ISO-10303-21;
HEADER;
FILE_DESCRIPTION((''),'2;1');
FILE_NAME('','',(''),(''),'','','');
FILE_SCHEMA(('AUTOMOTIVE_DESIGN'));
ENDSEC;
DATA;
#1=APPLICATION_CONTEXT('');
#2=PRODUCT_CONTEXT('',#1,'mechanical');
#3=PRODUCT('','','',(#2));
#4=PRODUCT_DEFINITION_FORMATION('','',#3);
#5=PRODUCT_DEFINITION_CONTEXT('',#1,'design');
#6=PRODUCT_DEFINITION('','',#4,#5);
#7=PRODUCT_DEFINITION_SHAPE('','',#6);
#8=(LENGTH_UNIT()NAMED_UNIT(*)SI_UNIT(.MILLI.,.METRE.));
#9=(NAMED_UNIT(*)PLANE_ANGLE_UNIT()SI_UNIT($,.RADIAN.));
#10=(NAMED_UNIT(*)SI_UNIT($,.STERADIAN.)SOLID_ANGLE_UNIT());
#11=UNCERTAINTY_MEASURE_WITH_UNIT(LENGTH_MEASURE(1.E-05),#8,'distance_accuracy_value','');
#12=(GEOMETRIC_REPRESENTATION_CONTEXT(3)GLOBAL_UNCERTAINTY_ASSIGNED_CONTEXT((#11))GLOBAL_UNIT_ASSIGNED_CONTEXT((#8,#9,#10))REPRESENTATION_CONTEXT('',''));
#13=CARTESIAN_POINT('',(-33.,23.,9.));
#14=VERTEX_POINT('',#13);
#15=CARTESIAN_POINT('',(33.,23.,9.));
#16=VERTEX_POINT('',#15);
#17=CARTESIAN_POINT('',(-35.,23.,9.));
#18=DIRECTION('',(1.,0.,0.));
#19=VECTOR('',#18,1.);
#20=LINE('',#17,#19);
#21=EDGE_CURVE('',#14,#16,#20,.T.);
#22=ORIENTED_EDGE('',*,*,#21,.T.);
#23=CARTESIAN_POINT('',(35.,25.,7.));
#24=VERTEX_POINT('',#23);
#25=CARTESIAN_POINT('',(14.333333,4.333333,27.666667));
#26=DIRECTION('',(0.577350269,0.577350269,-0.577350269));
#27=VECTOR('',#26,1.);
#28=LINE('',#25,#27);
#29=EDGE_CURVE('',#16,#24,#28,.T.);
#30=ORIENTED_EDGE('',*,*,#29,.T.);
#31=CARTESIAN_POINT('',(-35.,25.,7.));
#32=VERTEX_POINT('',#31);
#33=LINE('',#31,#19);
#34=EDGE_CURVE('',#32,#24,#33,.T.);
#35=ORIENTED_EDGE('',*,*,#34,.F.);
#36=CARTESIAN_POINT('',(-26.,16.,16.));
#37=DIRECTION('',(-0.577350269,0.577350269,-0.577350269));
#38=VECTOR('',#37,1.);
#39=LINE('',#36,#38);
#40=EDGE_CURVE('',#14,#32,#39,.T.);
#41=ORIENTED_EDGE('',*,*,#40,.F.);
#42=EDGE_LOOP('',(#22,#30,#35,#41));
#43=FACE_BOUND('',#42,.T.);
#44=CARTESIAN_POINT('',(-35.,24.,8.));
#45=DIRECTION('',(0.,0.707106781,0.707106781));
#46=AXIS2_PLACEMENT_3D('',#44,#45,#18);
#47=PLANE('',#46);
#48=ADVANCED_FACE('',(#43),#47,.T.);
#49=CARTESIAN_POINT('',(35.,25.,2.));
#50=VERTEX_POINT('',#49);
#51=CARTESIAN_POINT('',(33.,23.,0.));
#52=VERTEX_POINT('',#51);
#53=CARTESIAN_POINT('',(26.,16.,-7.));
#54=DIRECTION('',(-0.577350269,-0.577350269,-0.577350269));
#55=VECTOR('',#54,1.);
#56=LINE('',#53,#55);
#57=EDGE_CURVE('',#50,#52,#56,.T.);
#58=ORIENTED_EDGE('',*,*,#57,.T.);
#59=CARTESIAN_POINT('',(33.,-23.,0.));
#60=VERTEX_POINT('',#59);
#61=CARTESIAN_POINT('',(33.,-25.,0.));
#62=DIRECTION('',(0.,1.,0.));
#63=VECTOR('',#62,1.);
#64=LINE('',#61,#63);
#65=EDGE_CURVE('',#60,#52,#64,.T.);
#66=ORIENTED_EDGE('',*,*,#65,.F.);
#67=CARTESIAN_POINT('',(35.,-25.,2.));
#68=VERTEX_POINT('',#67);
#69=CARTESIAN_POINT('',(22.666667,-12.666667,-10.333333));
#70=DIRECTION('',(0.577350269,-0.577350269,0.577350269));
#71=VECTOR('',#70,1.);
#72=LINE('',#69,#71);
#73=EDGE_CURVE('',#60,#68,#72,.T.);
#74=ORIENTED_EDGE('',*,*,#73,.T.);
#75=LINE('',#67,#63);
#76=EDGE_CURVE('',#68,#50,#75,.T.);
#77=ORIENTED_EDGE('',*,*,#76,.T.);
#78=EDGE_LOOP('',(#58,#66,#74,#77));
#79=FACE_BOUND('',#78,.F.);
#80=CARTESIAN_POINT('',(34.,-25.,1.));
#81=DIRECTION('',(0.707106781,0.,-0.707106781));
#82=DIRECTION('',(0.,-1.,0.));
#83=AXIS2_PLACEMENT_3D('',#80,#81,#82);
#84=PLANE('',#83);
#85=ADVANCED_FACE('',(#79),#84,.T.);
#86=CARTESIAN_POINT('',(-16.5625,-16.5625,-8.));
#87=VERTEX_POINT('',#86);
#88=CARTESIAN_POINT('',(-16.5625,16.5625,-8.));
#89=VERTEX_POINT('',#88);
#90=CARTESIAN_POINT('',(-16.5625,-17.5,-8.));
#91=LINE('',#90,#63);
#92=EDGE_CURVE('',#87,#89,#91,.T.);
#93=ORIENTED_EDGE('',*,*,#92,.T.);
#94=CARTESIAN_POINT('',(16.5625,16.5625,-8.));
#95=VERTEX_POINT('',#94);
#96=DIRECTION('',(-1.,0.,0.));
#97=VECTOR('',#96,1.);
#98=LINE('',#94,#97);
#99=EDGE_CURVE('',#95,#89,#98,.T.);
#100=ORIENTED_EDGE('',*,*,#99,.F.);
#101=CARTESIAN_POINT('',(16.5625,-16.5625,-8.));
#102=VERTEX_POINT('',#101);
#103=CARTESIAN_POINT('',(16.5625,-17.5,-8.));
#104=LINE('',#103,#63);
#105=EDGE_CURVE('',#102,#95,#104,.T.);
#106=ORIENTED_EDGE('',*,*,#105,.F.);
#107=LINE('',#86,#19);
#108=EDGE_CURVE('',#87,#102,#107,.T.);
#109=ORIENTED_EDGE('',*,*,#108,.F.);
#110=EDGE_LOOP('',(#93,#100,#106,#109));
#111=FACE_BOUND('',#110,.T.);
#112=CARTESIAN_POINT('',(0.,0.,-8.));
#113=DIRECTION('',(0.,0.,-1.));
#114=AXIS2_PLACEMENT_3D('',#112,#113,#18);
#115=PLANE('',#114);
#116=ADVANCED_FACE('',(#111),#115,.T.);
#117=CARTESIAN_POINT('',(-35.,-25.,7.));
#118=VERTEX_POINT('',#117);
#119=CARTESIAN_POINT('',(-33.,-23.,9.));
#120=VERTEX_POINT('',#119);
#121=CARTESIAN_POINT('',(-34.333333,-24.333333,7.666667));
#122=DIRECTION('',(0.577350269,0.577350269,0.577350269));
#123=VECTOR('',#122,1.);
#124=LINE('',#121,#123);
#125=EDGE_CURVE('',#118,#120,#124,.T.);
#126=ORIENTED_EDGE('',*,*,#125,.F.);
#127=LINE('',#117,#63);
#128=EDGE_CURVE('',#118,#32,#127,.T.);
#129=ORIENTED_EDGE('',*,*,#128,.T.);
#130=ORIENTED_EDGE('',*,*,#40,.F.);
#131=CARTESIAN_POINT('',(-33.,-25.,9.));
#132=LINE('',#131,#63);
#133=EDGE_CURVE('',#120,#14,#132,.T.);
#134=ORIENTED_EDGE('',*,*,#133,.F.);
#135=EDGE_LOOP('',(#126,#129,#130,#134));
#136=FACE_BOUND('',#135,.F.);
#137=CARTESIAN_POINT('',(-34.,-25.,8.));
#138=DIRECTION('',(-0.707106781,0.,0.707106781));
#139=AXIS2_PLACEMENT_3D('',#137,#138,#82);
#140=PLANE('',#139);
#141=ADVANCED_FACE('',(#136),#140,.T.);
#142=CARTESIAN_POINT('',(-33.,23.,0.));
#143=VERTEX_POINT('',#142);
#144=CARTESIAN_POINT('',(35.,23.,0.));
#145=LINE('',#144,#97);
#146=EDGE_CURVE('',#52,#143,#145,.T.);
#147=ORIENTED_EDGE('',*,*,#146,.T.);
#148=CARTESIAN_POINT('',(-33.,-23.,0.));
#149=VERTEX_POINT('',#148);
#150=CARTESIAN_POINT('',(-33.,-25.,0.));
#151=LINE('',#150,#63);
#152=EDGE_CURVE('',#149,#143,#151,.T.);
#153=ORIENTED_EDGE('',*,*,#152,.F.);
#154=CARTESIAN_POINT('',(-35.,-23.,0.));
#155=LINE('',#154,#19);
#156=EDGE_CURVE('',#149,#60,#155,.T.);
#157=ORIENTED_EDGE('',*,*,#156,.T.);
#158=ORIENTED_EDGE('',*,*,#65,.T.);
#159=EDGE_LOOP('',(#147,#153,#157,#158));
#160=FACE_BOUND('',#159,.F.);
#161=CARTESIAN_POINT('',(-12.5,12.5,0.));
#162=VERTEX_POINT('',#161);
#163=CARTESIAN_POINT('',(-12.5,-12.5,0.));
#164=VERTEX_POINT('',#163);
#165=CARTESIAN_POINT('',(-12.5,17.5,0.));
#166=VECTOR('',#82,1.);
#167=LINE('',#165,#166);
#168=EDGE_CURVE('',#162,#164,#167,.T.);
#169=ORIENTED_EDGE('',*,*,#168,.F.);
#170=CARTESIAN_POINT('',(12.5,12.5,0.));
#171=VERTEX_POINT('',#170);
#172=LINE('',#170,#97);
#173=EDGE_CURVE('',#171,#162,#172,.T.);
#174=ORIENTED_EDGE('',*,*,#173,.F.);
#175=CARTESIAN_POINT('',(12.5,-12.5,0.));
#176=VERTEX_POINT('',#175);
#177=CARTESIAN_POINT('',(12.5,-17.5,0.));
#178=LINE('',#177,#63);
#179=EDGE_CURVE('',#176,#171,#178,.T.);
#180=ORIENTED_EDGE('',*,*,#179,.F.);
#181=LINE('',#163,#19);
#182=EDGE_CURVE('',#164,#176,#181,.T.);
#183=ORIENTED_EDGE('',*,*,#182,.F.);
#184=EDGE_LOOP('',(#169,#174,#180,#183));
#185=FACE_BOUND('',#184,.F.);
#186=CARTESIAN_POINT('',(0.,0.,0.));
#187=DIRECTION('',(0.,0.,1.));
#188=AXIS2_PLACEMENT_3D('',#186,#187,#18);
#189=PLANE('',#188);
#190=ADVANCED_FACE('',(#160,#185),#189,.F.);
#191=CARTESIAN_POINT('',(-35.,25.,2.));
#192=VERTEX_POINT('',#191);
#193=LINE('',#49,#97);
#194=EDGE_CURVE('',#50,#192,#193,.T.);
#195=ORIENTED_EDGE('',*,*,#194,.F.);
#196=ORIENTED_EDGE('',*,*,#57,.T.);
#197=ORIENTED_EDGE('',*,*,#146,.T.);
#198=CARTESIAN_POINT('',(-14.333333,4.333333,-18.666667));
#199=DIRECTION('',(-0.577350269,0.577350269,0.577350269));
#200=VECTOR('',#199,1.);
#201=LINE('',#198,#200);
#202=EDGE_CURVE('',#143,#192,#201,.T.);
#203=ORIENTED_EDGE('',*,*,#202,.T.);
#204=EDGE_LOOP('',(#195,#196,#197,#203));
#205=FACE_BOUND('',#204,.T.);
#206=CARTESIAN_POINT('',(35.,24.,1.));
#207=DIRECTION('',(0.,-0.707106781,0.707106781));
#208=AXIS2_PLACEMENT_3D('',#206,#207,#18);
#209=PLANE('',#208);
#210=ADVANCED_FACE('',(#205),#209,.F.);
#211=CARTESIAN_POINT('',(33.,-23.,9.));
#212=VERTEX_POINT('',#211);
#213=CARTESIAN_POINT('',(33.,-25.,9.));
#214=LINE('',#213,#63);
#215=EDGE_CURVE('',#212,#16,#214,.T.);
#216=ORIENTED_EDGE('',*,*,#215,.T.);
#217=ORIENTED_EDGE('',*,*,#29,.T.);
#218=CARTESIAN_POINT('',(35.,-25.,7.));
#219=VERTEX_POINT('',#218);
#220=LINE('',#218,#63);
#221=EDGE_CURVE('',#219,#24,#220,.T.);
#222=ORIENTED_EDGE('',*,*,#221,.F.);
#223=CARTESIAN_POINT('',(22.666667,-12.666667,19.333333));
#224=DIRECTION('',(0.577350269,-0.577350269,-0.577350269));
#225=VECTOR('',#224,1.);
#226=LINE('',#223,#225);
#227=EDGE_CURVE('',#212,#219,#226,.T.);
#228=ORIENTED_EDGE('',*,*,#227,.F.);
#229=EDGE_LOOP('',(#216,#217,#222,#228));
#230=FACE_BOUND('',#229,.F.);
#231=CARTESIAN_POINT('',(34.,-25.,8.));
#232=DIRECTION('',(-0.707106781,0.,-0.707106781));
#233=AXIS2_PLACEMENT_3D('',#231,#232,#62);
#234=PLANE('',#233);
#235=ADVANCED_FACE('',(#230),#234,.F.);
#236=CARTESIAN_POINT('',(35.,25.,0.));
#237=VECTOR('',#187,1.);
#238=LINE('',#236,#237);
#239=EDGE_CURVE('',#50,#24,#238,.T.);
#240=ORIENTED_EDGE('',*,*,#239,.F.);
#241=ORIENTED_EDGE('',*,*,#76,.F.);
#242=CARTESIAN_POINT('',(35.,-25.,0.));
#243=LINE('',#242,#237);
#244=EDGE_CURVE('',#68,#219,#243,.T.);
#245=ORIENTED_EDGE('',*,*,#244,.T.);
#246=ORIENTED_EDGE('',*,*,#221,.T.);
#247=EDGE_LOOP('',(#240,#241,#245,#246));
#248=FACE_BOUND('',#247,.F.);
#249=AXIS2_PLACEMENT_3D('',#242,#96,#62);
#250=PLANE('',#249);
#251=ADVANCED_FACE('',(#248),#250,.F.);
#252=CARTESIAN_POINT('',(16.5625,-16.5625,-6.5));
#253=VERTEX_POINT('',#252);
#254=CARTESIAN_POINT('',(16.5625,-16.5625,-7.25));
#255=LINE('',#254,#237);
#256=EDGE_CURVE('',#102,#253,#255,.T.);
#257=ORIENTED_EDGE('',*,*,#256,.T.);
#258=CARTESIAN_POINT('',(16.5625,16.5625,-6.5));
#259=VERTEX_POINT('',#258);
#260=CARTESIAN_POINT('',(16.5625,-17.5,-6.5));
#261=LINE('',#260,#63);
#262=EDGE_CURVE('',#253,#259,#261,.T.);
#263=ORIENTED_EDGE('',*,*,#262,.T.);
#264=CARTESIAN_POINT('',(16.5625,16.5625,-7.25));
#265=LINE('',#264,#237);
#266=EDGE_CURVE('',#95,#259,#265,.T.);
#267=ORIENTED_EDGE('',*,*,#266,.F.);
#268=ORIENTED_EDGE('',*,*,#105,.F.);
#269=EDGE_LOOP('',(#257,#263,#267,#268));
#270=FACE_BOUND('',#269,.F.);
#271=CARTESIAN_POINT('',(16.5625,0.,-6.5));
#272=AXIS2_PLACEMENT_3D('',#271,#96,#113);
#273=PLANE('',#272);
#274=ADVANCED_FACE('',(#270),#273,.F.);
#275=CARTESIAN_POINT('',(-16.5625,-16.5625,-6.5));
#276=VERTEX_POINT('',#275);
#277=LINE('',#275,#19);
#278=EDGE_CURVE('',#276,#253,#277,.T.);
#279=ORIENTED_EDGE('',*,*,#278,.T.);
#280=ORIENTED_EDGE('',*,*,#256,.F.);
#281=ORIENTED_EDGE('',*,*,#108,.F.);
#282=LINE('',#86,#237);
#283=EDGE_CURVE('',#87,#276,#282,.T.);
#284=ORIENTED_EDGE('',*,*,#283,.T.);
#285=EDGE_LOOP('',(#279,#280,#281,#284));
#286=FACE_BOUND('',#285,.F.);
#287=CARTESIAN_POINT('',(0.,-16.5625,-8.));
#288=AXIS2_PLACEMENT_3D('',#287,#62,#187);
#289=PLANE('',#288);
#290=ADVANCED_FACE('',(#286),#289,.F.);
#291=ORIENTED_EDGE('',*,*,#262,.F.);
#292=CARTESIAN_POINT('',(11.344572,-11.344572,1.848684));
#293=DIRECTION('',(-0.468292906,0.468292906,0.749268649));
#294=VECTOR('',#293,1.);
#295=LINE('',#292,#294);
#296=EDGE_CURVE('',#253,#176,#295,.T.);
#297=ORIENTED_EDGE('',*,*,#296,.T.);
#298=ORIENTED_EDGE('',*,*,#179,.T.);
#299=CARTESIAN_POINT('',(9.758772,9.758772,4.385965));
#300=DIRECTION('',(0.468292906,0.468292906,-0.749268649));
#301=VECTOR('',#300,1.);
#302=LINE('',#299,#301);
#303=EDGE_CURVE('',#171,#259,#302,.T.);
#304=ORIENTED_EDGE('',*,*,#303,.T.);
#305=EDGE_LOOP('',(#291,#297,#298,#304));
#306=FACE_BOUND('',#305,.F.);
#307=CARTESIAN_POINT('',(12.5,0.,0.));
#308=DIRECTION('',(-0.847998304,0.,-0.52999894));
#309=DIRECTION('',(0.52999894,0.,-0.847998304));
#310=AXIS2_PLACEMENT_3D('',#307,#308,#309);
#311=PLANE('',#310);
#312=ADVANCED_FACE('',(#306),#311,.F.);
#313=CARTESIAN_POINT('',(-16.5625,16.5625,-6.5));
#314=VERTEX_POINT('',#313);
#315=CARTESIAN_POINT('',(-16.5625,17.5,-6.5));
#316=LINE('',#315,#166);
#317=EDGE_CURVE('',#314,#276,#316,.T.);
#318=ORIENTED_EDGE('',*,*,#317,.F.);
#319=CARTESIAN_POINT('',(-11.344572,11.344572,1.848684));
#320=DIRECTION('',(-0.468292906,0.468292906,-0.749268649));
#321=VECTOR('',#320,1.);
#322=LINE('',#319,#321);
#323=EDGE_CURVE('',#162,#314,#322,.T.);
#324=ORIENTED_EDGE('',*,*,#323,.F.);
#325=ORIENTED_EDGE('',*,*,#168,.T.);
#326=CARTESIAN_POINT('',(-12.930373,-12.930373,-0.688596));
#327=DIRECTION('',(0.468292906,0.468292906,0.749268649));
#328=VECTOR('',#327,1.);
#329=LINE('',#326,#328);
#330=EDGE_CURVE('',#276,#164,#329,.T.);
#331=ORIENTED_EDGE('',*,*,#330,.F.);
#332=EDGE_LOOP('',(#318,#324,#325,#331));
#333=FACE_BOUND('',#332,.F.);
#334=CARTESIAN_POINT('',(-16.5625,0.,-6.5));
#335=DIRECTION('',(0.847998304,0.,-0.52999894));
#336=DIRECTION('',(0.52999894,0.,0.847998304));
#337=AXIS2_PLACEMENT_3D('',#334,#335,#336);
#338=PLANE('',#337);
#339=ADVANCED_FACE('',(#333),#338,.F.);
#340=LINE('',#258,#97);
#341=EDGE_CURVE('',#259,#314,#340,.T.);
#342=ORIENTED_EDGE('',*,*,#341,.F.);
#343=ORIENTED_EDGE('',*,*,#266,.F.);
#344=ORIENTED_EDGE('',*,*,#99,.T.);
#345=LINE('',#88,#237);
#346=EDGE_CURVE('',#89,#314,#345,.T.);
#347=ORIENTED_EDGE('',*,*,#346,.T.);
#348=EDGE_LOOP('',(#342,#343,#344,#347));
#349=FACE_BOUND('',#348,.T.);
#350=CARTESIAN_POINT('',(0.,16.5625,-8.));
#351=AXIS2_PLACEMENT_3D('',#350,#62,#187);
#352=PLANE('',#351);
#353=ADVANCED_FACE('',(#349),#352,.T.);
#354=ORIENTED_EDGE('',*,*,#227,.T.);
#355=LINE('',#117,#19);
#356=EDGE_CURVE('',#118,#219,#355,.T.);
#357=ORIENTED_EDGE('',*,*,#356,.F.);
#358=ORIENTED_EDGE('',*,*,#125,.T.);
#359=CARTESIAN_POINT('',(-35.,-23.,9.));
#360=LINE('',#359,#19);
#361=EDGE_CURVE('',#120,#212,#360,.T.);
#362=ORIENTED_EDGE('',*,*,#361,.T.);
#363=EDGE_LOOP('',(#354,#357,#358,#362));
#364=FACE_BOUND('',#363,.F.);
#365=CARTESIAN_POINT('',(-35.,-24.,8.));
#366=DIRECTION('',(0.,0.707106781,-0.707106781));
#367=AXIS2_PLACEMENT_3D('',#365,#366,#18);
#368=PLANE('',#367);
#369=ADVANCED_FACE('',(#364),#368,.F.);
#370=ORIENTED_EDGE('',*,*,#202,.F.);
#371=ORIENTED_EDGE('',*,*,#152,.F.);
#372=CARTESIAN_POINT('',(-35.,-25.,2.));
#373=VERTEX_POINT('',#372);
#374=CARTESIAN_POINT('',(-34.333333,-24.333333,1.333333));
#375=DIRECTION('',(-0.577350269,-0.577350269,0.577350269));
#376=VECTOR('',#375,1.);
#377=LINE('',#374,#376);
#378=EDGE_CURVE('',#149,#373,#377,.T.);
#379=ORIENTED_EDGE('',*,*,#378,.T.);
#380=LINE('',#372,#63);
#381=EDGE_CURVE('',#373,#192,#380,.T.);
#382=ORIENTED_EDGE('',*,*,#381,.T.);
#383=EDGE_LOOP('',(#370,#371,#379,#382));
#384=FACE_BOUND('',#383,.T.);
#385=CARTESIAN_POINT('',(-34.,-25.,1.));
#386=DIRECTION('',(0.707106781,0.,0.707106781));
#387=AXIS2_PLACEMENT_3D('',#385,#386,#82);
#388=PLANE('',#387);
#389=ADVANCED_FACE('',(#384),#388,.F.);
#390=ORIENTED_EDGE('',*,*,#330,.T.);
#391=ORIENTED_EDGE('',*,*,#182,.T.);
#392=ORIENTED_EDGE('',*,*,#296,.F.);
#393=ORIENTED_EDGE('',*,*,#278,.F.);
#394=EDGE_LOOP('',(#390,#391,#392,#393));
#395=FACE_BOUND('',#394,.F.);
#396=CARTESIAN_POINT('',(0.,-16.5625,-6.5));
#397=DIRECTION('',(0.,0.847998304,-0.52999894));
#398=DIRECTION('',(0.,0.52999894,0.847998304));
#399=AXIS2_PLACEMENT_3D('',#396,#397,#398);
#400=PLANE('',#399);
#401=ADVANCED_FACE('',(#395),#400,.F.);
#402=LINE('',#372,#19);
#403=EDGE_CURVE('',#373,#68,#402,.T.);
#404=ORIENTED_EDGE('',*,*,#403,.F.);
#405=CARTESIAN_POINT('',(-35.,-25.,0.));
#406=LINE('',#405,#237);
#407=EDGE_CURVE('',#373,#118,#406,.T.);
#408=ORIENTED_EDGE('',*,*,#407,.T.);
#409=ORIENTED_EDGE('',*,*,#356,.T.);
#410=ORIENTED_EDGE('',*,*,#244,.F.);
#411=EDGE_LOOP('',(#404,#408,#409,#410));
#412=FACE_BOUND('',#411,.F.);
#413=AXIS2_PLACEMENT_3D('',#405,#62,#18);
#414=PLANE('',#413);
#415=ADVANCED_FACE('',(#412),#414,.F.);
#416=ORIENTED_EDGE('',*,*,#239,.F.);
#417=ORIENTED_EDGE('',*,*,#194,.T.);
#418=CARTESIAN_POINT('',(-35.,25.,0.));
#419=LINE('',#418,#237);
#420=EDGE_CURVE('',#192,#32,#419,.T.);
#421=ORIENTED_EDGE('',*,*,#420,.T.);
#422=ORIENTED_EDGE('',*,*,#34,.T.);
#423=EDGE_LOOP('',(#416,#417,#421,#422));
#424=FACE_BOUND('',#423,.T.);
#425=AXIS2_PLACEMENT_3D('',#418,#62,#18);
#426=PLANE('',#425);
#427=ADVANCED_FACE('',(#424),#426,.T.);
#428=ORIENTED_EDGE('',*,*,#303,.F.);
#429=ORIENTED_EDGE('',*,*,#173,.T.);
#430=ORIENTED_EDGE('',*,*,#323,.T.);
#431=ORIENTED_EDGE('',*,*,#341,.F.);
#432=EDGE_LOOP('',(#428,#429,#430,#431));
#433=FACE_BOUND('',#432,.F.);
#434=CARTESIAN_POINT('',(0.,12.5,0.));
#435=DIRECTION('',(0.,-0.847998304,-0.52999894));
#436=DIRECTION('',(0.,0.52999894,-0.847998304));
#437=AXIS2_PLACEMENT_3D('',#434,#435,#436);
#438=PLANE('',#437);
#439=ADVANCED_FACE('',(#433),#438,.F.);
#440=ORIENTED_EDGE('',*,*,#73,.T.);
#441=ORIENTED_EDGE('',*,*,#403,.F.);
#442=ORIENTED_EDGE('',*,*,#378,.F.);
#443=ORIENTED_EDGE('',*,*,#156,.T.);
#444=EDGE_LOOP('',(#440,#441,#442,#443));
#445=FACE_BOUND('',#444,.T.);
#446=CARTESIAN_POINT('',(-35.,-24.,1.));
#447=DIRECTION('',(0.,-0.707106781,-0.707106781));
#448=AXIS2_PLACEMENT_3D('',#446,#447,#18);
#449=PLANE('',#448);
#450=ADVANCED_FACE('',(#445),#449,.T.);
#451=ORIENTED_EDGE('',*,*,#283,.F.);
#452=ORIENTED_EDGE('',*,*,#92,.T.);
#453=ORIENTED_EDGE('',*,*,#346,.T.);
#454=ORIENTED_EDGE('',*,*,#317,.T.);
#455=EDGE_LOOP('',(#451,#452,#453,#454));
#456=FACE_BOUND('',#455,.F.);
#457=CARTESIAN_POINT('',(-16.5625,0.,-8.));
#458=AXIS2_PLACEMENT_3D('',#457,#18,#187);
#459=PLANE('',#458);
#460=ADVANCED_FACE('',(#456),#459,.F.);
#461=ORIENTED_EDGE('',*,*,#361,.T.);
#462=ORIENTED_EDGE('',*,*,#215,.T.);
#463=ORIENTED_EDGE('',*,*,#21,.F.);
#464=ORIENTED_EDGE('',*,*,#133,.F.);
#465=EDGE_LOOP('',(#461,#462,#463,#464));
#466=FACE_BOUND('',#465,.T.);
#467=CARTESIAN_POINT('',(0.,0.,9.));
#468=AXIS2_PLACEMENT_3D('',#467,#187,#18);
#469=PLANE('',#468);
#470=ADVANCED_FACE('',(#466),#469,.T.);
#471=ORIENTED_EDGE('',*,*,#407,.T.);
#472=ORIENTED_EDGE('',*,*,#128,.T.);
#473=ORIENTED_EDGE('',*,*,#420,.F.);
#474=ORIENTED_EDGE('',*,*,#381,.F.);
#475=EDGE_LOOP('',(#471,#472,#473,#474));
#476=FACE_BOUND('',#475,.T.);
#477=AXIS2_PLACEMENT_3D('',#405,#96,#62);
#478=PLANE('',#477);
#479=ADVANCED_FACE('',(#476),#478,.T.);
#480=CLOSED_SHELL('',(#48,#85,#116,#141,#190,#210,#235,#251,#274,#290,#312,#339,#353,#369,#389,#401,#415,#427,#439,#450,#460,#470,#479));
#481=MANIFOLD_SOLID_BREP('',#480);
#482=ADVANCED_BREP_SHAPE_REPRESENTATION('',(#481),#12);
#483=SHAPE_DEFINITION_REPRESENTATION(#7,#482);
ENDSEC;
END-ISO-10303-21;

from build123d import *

# Parameters (mm, degrees)
F0_W          = 70
F0_H          = 50
F1_DEPTH      = 9
F2_W          = 35
F2_H          = 35
F3_DEPTH      = 8
F5_DEPTH      = 25
F5_DEPTH_BACK = 25
F6_W          = 0.9375
F6_H          = 1.5
F7_DEPTH      = 25
F7_DEPTH_BACK = 25
F8_SIZE       = 2


with BuildPart() as f1:
    # F0 (on Top) → F1 (new body)
    with BuildSketch(Plane.XY):
        Rectangle(F0_W, F0_H)
    extrude(amount=F1_DEPTH)

    # F2 (on face) → F3 (join)
    with BuildSketch(Plane(origin=(0, 0, 0), x_dir=(1, 0, 0), z_dir=(0, 0, -1))):
        Rectangle(F2_W, F2_H)
    extrude(amount=F3_DEPTH)

    # F4 (on Front) → F5 (cut, two sides)
    with BuildSketch(Plane.XZ) as f5_sk:
        Polygon((12.5, 0), (16.5625, -6.5), (16.5625, -8), (17.5, -8), (17.5, 0), align=None)
        Polygon((-16.5625, -6.5), (-12.5, 0), (-17.5, 0), (-17.5, -8), (-16.5625, -8), align=None)
    extrude(amount=-F5_DEPTH, mode=Mode.SUBTRACT)
    extrude(f5_sk.sketch, amount=F5_DEPTH_BACK, mode=Mode.SUBTRACT)

    # F6 (on Right) → F7 (cut, two sides)
    with BuildSketch(Plane.YZ) as f7_sk:
        Polygon((17.5, 0), (12.5, 0), (16.5625, -6.5), (17.5, -6.5), align=None)
        with Locations((17.03125, -7.25)):
            Rectangle(F6_W, F6_H)
        Polygon((-17.5, 0), (-17.5, -8), (-16.5625, -8), (-16.5625, -6.5), (-12.5, 0), align=None)
    extrude(amount=-F7_DEPTH, mode=Mode.SUBTRACT)
    extrude(f7_sk.sketch, amount=F7_DEPTH_BACK, mode=Mode.SUBTRACT)

    # F8
    f8_edges = [f1.edges().sort_by_distance(p)[0] for p in [
        (35, 0, 9),
        (0, 25, 9),
        (-35, 0, 9),
        (0, -25, 9),
        (0, -25, 0),
        (35, 0, 0),
        (0, 25, 0),
        (-35, 0, 0),
    ]]
    chamfer(f8_edges, length=F8_SIZE)


solid = f1.part
